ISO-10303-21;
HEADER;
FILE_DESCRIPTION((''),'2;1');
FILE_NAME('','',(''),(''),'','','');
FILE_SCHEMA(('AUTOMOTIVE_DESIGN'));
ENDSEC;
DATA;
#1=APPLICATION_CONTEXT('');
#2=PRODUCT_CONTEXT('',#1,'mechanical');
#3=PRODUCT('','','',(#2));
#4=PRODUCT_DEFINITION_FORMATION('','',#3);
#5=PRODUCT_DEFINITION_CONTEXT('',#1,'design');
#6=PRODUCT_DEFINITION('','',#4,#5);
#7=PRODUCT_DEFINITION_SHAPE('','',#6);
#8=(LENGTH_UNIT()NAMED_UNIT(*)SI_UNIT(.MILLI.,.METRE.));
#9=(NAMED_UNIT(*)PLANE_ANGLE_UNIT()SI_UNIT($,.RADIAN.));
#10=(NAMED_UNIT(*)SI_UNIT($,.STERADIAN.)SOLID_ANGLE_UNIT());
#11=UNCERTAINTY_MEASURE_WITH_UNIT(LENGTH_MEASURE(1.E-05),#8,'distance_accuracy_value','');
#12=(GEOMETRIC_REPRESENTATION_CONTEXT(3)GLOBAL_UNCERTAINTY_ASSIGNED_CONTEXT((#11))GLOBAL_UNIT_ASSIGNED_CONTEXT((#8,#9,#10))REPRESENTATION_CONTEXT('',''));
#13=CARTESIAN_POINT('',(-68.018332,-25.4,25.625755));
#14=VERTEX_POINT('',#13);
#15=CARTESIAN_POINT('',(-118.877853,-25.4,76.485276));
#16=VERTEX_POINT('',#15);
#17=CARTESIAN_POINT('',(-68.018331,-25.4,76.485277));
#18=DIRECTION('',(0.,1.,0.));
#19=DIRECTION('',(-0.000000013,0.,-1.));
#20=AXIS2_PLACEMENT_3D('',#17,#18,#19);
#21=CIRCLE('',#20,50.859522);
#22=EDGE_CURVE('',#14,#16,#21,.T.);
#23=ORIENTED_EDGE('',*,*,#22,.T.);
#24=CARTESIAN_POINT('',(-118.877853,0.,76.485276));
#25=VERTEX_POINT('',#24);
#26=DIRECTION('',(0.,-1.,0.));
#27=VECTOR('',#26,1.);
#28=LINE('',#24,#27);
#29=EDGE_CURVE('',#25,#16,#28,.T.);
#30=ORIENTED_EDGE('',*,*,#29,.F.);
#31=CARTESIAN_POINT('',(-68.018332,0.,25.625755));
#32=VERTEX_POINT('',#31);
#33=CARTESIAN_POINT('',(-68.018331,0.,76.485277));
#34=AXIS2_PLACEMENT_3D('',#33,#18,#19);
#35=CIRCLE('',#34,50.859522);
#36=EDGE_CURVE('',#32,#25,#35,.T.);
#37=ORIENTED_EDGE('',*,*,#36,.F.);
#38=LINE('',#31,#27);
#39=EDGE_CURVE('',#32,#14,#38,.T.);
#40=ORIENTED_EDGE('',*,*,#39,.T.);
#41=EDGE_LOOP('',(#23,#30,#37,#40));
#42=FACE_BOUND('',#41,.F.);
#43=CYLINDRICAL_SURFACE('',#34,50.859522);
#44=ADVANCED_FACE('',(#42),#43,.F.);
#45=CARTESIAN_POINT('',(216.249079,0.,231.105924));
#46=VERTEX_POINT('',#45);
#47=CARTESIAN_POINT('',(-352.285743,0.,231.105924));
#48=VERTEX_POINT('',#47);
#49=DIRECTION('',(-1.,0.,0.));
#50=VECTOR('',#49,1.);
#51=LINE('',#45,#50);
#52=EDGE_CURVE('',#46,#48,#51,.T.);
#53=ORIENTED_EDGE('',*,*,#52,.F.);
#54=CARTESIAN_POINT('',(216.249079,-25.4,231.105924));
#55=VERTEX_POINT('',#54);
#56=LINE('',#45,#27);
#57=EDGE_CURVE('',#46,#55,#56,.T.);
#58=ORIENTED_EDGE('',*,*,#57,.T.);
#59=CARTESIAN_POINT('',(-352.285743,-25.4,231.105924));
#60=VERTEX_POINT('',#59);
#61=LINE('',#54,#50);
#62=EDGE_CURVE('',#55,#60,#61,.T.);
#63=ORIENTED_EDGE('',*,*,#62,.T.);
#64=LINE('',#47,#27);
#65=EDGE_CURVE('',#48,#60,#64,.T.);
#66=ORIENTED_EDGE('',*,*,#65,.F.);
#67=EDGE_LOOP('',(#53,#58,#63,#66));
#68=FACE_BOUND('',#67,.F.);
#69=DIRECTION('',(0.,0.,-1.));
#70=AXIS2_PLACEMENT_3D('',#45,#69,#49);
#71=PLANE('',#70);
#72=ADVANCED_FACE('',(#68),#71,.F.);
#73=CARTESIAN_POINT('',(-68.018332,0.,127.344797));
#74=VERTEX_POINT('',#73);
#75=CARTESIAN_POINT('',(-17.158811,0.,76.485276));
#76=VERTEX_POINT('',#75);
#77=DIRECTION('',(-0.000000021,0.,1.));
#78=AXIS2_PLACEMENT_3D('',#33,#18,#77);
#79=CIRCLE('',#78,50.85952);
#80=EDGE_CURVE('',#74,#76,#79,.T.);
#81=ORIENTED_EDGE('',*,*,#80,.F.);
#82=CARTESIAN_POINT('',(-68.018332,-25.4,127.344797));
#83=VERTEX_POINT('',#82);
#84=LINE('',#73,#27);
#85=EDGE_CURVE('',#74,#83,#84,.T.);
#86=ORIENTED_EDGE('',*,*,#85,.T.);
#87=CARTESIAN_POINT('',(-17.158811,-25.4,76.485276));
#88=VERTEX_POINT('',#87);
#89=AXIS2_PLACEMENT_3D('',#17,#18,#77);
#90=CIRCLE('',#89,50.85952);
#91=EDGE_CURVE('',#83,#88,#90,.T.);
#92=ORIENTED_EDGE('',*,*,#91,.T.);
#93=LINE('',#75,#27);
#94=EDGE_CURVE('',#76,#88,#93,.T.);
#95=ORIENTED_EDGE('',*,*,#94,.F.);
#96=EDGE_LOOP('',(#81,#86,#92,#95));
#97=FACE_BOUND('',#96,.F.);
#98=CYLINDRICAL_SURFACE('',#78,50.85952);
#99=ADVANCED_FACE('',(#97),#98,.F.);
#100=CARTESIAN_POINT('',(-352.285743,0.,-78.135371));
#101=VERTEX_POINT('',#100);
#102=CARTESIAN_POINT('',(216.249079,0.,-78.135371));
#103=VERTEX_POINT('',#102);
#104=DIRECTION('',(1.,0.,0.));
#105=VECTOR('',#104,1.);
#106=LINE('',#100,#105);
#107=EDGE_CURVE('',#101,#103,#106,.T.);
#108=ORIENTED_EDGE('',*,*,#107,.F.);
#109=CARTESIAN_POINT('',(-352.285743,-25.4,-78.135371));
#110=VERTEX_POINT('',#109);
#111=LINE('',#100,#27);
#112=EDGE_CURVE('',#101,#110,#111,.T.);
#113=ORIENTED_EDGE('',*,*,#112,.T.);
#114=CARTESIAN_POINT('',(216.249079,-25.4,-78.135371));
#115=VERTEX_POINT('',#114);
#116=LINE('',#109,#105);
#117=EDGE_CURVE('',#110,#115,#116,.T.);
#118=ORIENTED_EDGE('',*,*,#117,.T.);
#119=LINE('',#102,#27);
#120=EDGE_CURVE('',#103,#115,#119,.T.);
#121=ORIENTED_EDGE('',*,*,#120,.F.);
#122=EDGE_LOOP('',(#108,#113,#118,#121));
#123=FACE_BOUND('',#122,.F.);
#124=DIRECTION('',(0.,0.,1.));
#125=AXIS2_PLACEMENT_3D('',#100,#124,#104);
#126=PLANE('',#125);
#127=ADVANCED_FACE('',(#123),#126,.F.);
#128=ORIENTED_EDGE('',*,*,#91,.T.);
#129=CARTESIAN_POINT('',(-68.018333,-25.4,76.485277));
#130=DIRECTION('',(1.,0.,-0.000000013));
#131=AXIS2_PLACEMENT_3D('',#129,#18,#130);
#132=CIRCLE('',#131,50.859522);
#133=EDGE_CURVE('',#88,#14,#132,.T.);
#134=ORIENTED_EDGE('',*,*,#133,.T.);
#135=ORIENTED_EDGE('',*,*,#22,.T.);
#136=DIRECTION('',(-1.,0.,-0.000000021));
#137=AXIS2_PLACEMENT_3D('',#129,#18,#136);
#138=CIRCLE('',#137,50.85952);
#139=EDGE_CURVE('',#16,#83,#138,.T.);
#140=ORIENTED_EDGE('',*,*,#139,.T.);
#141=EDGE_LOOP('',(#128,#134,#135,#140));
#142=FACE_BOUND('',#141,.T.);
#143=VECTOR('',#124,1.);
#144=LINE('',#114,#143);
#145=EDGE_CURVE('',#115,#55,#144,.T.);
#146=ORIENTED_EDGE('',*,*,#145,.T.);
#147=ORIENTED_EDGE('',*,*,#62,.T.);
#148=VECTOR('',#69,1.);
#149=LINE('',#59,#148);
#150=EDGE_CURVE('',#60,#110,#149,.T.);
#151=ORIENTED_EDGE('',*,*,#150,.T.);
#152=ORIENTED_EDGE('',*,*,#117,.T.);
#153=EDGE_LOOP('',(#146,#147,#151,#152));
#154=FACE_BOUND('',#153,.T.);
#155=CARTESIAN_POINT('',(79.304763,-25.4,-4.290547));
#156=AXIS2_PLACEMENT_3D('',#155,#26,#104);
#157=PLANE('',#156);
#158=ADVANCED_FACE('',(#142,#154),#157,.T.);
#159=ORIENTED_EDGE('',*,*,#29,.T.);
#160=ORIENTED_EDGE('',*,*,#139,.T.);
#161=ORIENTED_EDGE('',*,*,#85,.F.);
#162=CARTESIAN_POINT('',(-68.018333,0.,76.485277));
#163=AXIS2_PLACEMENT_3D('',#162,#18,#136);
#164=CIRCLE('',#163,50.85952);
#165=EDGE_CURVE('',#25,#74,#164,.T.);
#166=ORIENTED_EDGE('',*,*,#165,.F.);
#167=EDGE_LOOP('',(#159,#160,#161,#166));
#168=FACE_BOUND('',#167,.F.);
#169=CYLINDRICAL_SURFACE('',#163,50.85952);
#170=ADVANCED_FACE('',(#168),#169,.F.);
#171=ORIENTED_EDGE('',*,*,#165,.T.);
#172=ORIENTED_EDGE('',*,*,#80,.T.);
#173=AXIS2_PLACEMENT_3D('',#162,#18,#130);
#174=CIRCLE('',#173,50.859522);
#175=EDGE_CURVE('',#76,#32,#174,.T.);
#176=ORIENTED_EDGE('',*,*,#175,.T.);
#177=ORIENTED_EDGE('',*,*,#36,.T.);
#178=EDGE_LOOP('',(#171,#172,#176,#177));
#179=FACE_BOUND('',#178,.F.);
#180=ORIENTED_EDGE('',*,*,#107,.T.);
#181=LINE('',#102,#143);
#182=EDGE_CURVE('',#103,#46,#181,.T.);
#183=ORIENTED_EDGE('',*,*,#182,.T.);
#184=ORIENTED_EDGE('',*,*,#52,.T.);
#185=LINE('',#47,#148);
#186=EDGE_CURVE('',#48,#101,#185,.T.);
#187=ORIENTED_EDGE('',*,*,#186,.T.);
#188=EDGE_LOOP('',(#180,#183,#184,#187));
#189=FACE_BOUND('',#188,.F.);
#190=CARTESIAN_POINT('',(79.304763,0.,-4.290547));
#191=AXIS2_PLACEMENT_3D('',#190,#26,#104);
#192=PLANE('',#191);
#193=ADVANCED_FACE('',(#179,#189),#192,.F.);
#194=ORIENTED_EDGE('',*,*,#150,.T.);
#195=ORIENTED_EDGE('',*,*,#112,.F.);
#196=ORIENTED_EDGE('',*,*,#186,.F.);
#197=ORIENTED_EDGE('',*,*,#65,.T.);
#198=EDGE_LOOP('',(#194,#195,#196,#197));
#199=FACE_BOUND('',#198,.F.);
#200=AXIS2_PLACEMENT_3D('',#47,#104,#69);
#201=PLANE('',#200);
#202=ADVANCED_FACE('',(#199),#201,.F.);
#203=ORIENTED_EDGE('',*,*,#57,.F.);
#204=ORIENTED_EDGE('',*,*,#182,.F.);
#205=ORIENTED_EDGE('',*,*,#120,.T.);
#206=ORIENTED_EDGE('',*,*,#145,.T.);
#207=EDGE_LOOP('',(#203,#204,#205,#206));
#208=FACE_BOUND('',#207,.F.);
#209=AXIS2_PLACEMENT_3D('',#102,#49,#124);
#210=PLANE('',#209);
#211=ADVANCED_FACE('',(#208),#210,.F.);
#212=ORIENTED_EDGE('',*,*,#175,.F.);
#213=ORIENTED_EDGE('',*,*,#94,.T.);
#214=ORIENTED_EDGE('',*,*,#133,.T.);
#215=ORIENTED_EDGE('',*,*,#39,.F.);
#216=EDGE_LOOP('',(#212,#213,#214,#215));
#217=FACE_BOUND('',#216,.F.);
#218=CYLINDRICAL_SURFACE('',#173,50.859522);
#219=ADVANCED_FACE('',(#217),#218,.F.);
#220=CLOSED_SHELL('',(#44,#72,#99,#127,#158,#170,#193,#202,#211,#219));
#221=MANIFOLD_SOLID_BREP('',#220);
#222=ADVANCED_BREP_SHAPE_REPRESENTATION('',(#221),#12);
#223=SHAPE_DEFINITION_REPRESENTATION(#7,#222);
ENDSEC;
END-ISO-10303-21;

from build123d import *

# Parameters (mm, degrees)
F1_DEPTH = 25.4


with BuildPart() as f1:
    # F0 (on Front) → F1 (new body)
    with BuildSketch(Plane.XZ):
        with BuildLine():
            Line((-68.018332, -78.135371), (216.249079, -78.135371))
            Line((216.249079, -78.135371), (216.249079, 76.485276))
            Line((216.249079, 76.485276), (-17.158811, 76.485276))
            ThreePointArc((-17.158811, 76.485276), (-32.05522, 40.522164), (-68.018332, 25.625755))
            Line((-68.018332, 25.625755), (-68.018332, -78.135371))
        make_face()
        with BuildLine():
            Line((-352.285743, -78.135371), (-68.018332, -78.135371))
            Line((-68.018332, -78.135371), (-68.018332, 25.625755))
            ThreePointArc((-68.018332, 25.625755), (-103.981444, 40.522164), (-118.877853, 76.485276))
            Line((-118.877853, 76.485276), (-352.285743, 76.485276))
            Line((-352.285743, 76.485276), (-352.285743, -78.135371))
        make_face()
        with BuildLine():
            Line((-17.158811, 76.485276), (216.249079, 76.485276))
            Line((216.249079, 76.485276), (216.249079, 231.105924))
            Line((216.249079, 231.105924), (-68.018332, 231.105924))
            Line((-68.018332, 231.105924), (-68.018332, 127.344797))
            ThreePointArc((-68.018332, 127.344797), (-32.05522, 112.448389), (-17.158811, 76.485276))
        make_face()
        with BuildLine():
            Line((-352.285743, 231.105924), (-352.285743, 76.485276))
            Line((-352.285743, 76.485276), (-118.877853, 76.485276))
            ThreePointArc((-118.877853, 76.485276), (-103.981444, 112.448389), (-68.018332, 127.344797))
            Line((-68.018332, 127.344797), (-68.018332, 231.105924))
            Line((-68.018332, 231.105924), (-352.285743, 231.105924))
        make_face()
    extrude(amount=F1_DEPTH)


solid = f1.part
